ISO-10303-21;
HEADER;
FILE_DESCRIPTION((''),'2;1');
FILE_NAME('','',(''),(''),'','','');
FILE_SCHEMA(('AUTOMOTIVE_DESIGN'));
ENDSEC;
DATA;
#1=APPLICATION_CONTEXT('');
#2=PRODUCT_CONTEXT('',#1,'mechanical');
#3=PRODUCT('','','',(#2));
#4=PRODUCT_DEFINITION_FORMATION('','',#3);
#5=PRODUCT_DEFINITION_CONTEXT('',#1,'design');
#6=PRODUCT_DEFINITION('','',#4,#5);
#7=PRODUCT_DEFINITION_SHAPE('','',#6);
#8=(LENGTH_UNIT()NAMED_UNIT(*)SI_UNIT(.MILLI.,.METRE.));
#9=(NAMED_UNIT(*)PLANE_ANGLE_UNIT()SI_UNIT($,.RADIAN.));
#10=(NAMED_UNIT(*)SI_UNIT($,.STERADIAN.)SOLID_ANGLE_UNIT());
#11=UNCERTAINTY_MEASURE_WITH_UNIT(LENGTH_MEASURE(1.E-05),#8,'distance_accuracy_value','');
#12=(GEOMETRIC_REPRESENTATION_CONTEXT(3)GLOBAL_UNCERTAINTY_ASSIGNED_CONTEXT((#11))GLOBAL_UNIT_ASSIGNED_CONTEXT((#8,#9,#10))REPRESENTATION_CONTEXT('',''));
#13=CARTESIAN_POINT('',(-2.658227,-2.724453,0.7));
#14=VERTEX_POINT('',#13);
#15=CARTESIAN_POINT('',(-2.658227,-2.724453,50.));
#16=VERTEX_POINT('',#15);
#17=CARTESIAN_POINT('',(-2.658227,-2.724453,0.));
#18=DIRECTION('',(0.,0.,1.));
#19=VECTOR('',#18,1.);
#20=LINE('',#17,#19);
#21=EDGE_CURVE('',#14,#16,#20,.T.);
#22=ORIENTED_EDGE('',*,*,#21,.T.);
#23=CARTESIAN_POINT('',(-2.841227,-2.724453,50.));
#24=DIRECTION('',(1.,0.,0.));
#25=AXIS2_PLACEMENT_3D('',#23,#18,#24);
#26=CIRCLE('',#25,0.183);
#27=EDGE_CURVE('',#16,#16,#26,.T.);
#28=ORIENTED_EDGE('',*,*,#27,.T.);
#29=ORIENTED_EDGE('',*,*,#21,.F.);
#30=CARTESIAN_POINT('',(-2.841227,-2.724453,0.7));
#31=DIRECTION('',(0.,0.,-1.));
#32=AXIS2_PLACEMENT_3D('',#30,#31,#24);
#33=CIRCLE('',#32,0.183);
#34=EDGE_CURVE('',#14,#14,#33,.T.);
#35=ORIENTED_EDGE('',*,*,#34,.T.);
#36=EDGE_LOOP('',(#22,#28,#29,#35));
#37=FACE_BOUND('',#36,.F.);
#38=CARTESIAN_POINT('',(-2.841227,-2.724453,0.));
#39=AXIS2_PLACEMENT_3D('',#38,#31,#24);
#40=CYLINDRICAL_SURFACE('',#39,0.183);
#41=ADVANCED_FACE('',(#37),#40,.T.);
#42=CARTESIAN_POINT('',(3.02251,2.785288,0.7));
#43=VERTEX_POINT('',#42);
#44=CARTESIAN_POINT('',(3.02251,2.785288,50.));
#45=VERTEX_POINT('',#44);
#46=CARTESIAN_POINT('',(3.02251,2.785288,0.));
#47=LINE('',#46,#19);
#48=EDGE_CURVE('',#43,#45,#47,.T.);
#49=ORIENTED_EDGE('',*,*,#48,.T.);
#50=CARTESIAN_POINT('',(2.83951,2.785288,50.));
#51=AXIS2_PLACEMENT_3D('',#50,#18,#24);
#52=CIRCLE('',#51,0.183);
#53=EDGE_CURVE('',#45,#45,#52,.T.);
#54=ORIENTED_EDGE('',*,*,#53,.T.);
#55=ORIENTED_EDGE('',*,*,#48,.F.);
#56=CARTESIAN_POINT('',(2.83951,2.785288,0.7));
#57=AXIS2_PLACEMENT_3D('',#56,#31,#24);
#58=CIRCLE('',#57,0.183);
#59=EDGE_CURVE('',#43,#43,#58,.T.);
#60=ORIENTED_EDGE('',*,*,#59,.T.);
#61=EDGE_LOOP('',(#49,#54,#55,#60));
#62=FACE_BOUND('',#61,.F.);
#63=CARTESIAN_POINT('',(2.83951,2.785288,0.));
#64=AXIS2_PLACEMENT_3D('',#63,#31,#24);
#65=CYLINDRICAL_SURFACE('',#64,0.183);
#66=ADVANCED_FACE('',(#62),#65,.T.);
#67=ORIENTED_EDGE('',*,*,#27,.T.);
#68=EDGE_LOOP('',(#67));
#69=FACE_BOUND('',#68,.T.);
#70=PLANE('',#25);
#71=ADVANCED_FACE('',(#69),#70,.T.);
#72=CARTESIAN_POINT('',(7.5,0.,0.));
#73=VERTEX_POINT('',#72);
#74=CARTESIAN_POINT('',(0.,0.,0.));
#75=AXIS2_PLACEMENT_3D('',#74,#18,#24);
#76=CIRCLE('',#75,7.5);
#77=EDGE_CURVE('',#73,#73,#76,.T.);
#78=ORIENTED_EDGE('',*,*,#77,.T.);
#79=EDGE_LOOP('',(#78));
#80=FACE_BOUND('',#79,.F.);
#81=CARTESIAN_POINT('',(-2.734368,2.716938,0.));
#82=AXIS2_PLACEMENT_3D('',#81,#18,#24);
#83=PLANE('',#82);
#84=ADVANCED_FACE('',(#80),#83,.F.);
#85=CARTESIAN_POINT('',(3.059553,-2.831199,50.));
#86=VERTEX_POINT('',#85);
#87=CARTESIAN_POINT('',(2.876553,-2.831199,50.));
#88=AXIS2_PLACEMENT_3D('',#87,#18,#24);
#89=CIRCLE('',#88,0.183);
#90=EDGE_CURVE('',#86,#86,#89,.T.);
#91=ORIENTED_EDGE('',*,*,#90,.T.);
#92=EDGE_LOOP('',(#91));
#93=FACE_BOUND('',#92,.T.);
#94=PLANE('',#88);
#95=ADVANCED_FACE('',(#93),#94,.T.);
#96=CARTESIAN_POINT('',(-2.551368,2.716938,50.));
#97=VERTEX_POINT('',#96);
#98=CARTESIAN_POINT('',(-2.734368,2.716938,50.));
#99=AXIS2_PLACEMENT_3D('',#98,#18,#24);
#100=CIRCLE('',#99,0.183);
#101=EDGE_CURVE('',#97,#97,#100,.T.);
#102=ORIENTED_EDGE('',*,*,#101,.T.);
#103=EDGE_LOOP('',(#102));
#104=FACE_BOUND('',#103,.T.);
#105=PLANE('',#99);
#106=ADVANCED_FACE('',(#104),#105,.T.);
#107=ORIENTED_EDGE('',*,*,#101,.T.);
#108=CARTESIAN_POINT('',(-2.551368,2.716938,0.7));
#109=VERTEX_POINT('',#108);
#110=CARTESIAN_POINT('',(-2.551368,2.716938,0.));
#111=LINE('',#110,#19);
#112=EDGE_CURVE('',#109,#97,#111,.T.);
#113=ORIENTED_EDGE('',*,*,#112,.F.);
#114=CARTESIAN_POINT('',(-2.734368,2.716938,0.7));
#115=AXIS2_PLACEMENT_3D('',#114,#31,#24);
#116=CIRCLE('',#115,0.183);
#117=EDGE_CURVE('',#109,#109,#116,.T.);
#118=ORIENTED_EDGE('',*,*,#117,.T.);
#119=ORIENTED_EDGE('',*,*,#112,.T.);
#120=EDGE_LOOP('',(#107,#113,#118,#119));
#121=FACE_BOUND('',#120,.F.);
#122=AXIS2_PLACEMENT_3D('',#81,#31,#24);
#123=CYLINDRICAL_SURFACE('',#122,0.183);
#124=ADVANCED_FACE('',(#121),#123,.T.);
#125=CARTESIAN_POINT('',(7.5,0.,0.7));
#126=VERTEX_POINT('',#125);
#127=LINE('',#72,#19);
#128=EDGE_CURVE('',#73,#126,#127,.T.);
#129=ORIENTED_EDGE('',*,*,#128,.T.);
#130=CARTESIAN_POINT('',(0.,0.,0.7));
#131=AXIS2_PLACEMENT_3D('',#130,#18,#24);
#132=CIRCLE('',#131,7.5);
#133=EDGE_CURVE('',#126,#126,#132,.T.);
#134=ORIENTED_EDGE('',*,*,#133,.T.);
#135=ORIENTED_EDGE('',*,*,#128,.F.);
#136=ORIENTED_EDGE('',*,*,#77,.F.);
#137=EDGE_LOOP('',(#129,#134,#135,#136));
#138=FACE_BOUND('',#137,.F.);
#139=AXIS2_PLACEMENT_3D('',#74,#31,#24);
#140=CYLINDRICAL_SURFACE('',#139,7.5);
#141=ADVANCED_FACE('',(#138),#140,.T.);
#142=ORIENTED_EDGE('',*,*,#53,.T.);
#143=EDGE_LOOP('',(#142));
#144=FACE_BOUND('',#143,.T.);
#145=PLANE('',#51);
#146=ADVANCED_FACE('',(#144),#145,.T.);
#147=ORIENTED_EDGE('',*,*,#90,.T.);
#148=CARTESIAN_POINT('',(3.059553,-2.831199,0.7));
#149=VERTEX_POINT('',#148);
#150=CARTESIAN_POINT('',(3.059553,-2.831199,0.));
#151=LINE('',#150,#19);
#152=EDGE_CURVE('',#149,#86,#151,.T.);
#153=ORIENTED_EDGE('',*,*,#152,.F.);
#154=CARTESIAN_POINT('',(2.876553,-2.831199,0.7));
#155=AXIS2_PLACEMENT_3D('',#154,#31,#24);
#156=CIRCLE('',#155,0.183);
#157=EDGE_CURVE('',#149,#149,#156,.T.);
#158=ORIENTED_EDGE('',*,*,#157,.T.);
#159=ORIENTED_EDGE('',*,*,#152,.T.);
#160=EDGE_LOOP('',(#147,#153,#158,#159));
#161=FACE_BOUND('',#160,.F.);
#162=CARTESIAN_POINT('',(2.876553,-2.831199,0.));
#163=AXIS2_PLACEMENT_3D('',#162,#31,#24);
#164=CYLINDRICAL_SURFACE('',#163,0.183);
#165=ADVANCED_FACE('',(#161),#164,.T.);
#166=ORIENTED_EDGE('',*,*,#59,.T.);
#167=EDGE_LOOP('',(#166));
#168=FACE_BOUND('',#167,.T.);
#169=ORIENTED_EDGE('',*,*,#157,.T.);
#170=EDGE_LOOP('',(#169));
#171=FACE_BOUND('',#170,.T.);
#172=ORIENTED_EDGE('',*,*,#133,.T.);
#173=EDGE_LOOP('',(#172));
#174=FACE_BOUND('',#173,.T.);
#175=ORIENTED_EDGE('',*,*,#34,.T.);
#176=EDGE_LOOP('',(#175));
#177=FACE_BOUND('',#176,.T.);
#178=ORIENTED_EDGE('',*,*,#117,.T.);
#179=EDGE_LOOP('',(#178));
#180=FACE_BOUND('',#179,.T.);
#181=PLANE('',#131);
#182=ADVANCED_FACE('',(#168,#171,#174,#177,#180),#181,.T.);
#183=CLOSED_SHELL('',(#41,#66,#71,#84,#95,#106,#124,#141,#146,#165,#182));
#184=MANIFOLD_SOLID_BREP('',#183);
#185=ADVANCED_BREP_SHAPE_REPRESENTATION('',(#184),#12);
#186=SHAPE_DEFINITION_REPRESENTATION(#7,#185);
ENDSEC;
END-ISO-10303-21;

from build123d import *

# Parameters (mm, degrees)
F0_R     = 7.5
F1_DEPTH = 0.7
F2_R     = 0.183
F3_DEPTH = 50


with BuildPart() as f1:
    # F0 (on Top) → F1 (new body)
    with BuildSketch(Plane.XY):
        Circle(F0_R)
    extrude(amount=F1_DEPTH)

    # F2 (on Top) → F3 (join)
    with BuildSketch(Plane.XY):
        with Locations((-2.734368, 2.716938)):
            Circle(F2_R)
        with Locations((2.83951, 2.785288)):
            Circle(F2_R)
        with Locations((2.876553, -2.831199)):
            Circle(F2_R)
        with Locations((-2.841227, -2.724453)):
            Circle(F2_R)
    extrude(amount=F3_DEPTH)


solid = f1.part
